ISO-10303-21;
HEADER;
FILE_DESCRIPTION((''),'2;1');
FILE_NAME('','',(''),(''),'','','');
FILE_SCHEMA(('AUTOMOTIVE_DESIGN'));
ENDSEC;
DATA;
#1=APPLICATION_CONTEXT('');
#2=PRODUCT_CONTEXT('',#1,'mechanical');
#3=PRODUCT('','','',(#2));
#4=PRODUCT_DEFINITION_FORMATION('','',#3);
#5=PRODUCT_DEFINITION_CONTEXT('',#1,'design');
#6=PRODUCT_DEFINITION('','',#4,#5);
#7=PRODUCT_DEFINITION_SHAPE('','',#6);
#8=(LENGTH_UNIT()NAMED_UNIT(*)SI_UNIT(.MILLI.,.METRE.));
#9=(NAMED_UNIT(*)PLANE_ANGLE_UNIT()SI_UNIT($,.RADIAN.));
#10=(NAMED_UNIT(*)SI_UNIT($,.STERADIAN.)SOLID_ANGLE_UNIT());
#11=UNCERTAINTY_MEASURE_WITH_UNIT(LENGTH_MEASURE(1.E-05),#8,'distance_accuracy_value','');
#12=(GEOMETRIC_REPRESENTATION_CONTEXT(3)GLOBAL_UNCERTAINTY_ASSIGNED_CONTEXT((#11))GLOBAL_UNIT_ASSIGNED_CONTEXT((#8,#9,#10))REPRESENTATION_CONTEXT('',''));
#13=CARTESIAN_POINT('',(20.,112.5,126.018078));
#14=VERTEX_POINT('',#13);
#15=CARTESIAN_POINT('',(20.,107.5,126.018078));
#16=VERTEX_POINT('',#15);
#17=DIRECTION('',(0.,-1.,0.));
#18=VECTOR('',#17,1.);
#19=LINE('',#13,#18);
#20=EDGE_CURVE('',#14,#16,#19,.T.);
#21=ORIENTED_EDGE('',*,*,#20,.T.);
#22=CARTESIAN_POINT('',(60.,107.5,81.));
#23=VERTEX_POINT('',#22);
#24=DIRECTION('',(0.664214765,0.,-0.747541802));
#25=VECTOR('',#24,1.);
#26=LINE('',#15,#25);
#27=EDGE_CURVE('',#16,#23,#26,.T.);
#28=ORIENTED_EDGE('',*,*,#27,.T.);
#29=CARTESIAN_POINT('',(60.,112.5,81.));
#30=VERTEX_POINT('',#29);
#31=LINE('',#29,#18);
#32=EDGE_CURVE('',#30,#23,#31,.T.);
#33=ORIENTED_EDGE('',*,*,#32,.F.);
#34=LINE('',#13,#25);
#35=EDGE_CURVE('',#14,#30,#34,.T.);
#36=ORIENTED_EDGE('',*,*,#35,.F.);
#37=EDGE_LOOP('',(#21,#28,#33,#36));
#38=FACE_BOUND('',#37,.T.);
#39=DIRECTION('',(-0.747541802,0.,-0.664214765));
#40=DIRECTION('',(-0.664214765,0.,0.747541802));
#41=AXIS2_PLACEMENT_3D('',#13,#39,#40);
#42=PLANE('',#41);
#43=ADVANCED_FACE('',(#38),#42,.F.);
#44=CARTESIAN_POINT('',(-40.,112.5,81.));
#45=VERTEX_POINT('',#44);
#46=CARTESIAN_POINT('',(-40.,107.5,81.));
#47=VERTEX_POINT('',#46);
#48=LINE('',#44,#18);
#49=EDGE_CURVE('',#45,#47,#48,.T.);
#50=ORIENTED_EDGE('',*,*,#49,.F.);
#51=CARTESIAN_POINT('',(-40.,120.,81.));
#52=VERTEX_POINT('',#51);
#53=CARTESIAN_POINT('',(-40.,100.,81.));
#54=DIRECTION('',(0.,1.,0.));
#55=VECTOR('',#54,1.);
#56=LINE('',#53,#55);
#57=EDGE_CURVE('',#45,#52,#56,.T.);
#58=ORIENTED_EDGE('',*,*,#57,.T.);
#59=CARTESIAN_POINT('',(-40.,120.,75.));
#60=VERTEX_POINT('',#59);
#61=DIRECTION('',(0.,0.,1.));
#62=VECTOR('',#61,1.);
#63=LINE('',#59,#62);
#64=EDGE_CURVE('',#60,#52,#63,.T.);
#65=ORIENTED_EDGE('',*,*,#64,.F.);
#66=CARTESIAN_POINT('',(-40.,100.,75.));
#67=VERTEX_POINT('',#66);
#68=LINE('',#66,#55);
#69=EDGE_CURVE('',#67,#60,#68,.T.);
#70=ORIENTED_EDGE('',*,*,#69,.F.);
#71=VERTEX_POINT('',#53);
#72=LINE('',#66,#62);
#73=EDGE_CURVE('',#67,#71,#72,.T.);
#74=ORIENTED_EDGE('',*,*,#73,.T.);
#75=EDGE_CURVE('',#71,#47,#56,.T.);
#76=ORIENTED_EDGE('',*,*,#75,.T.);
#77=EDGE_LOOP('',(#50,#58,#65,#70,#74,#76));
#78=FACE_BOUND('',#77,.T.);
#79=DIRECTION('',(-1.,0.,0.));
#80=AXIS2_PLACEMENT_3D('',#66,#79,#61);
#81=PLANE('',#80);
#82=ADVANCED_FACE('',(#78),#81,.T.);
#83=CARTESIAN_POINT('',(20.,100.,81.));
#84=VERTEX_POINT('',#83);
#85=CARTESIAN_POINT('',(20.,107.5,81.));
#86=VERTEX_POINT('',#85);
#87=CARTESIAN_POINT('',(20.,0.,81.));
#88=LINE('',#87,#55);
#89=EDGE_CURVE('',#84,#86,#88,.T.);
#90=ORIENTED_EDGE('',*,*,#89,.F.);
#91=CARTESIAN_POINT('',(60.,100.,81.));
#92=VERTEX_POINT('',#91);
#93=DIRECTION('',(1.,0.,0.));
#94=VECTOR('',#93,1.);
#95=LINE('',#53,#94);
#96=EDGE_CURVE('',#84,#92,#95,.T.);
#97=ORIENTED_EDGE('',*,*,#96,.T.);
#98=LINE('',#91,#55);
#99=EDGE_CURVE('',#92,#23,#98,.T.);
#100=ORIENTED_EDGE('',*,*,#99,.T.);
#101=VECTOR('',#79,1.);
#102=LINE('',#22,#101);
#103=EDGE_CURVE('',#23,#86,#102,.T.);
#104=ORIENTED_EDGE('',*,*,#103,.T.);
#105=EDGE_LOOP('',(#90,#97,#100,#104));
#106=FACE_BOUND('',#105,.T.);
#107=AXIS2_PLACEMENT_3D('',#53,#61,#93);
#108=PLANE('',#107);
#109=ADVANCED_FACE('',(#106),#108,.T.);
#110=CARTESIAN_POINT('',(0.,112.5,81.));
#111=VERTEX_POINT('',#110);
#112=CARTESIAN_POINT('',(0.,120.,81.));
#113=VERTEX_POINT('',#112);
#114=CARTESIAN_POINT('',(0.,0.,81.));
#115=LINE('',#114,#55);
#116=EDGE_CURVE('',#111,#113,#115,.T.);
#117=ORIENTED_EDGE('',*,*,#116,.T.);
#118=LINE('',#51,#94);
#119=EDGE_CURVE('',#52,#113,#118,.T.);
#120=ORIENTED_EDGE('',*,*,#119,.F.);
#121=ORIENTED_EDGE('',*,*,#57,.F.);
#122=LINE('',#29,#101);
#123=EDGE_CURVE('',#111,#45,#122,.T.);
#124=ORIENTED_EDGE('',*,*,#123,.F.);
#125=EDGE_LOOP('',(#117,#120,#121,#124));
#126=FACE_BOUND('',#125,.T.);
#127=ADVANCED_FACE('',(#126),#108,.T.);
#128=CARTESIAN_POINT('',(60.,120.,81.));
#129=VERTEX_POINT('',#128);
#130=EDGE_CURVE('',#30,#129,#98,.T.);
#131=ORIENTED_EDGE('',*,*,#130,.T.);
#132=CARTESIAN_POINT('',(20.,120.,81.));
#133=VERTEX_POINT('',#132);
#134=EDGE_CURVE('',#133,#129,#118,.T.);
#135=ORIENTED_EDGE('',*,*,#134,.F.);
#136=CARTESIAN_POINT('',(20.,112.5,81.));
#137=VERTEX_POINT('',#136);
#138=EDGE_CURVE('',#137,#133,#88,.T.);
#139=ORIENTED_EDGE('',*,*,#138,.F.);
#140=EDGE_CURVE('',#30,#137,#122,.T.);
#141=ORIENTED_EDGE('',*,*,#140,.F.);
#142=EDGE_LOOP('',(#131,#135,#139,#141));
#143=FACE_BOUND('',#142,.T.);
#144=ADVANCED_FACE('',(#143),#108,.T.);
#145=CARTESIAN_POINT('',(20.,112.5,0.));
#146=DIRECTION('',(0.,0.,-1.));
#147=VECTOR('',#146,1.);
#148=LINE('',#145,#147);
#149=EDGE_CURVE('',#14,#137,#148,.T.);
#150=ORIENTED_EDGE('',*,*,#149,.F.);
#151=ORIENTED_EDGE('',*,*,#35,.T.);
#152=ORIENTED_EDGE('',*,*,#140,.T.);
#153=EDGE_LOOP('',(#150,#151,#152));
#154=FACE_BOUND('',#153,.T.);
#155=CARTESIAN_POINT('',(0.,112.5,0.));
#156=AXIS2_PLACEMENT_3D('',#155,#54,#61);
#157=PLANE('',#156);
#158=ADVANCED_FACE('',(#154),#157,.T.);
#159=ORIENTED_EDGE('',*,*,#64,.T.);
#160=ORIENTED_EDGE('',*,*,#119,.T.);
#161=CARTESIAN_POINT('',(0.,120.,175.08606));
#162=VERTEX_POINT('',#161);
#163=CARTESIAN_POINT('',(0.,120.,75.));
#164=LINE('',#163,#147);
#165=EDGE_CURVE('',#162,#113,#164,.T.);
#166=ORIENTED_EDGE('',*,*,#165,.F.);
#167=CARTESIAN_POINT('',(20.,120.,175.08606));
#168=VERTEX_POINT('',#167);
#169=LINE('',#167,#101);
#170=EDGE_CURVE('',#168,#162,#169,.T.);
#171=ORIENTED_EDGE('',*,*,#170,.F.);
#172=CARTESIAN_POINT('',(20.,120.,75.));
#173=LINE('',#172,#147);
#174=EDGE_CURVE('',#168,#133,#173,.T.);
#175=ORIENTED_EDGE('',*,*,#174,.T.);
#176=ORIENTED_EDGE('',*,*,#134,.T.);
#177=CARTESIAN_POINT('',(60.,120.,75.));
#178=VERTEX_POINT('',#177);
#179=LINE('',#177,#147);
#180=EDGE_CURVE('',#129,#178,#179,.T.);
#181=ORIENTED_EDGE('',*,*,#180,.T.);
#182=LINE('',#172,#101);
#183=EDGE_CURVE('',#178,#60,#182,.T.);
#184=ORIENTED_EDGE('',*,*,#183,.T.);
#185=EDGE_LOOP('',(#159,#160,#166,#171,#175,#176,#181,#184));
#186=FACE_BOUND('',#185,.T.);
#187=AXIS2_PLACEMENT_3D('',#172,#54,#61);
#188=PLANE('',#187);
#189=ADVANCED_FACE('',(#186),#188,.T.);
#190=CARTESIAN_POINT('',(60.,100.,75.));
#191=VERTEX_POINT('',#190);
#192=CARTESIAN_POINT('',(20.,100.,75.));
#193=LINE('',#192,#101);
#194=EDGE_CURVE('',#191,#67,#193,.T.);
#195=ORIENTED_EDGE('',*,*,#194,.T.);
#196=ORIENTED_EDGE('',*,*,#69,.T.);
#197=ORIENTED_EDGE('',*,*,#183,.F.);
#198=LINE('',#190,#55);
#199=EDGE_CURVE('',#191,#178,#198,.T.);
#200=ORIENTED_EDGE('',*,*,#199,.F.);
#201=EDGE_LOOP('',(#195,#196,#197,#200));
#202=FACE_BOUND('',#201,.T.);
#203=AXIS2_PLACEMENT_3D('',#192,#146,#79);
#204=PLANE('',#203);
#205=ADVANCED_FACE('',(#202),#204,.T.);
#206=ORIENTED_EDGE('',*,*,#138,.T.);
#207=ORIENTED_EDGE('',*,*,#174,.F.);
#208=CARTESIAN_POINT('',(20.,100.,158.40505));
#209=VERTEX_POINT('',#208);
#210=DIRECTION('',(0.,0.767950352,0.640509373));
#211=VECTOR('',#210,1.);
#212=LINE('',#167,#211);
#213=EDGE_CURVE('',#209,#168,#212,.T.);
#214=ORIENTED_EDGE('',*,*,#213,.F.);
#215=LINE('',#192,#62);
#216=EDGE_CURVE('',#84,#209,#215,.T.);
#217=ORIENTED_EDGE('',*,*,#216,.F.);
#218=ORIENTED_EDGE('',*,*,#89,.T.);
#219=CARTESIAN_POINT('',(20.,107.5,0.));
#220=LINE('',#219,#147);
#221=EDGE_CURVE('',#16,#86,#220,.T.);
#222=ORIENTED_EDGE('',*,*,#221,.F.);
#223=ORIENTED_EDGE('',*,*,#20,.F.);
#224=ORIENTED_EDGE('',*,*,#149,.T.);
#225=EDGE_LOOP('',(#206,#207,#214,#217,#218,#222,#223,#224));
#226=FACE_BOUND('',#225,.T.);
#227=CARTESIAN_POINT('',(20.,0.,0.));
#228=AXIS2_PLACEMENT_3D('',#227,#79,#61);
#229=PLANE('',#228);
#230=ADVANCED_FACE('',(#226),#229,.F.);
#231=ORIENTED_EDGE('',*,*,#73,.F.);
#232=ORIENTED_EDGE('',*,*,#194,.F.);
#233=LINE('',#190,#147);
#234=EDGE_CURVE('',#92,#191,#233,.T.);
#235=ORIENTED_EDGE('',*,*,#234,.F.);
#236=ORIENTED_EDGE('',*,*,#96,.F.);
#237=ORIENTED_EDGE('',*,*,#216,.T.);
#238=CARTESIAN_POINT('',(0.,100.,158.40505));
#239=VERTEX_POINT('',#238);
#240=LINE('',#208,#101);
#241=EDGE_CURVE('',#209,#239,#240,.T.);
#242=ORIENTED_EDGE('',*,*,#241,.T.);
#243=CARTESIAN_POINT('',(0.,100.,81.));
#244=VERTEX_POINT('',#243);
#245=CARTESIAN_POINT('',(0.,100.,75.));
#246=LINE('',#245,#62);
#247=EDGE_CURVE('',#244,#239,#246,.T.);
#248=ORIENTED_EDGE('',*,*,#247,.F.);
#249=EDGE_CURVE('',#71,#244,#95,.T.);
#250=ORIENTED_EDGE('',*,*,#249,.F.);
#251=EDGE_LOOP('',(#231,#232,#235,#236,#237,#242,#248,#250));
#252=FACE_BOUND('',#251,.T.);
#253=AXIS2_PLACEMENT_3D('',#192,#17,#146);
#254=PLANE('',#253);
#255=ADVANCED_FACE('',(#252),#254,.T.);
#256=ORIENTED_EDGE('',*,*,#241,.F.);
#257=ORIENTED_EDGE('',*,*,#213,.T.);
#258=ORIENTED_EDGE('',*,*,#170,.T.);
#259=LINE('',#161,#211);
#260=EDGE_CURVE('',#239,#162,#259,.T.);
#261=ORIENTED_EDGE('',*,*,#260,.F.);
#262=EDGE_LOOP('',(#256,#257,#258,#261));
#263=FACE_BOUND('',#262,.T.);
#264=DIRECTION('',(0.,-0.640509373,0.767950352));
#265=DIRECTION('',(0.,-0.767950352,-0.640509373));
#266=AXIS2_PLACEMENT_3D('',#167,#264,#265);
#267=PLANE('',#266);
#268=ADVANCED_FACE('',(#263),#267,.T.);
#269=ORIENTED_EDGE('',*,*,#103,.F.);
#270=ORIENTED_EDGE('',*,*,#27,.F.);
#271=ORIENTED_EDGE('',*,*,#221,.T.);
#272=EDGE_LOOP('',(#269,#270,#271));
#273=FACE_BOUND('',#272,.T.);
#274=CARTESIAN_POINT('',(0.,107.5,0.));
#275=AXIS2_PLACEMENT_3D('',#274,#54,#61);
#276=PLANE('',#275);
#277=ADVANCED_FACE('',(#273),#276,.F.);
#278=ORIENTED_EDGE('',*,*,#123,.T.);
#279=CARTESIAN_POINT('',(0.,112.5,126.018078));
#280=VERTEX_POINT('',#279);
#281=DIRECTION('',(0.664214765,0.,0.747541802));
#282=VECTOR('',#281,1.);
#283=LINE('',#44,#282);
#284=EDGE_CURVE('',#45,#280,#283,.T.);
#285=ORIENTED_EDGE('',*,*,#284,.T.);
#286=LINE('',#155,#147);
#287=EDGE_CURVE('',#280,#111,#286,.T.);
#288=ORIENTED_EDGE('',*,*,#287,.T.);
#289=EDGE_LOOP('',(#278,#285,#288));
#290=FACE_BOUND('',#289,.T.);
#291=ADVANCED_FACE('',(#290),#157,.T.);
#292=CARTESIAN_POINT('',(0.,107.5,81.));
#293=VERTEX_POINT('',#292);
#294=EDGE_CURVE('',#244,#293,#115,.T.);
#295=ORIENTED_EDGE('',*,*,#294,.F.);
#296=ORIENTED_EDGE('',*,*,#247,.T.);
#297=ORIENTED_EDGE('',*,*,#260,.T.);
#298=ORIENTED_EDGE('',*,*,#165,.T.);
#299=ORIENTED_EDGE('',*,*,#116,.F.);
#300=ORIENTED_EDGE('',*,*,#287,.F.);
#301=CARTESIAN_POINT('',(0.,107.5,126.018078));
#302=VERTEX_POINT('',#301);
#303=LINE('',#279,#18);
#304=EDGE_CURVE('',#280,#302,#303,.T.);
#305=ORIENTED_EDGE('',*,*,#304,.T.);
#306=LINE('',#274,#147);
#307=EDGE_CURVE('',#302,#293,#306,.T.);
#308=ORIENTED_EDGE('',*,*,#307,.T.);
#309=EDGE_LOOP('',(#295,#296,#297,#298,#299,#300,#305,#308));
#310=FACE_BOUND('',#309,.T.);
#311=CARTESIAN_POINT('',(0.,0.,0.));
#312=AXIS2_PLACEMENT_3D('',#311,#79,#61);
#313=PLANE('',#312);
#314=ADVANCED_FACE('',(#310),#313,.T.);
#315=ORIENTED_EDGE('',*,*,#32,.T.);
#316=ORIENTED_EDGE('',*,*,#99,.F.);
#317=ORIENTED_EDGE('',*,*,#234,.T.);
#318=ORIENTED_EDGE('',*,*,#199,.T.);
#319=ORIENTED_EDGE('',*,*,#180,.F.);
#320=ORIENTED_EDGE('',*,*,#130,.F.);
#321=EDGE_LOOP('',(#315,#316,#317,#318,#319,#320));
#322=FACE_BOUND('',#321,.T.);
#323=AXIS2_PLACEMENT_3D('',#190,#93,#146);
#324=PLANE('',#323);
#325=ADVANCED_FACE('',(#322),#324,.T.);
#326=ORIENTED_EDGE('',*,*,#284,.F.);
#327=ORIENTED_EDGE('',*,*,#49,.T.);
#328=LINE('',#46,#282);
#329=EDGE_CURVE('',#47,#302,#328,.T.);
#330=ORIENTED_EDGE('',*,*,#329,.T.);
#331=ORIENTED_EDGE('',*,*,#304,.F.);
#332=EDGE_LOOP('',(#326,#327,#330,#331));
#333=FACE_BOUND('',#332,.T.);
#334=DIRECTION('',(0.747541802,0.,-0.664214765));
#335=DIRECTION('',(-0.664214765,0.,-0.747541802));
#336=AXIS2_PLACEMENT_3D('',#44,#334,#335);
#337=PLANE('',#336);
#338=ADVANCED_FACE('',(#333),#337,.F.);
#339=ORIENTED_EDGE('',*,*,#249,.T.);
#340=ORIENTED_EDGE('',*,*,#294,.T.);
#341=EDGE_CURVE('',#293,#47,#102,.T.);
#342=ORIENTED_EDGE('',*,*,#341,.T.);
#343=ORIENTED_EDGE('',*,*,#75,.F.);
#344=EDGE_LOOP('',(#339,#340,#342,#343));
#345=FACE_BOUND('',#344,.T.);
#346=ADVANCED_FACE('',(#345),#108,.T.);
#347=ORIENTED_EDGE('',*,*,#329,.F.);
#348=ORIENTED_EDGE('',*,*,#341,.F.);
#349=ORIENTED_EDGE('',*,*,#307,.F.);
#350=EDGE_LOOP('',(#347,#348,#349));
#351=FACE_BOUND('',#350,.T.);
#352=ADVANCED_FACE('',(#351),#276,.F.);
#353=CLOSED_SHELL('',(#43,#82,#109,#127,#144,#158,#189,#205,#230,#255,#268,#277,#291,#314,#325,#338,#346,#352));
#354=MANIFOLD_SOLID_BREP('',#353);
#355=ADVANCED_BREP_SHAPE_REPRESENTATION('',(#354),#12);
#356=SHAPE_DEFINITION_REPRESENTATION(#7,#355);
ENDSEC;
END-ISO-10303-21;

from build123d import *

# Parameters (mm, degrees)
AUFSATZ_LINEAR_AUSTRAGEN1_DEPTH = 20
SKIZZE2_W                       = 100
SKIZZE2_H                       = 6
AUFSATZ_LINEAR_AUSTRAGEN2_DEPTH = 20
AUFSATZ_LINEAR_AUSTRAGEN3_DEPTH = 2.5


with BuildPart() as part:
    # Skizze1 → Aufsatz-Linear austragen1 (new body)
    with BuildSketch(Plane.ZY):
        Polygon((75, 100), (75, 120), (175.086059804, 120), (158.405049837, 100), align=None)
    extrude(amount=-AUFSATZ_LINEAR_AUSTRAGEN1_DEPTH)

    # Skizze2 → Aufsatz-Linear austragen2 (add)
    with BuildSketch(Plane(origin=(0, 120, 0), x_dir=(1, 0, 0), z_dir=(0, 1, 0))):
        with Locations((10, -78)):
            Rectangle(SKIZZE2_W, SKIZZE2_H)
    extrude(amount=-AUFSATZ_LINEAR_AUSTRAGEN2_DEPTH)

    # Skizze3 → Aufsatz-Linear austragen3 (add, symmetric)
    with BuildSketch(Plane(origin=(0, 110, 0), x_dir=(1, 0, 0), z_dir=(0, 1, 0))):
        Polygon((-40, -81), (0, -126.018077963), (20, -126.018077963), (60, -81), align=None)
    extrude(amount=AUFSATZ_LINEAR_AUSTRAGEN3_DEPTH, both=True)


solid = part.part
